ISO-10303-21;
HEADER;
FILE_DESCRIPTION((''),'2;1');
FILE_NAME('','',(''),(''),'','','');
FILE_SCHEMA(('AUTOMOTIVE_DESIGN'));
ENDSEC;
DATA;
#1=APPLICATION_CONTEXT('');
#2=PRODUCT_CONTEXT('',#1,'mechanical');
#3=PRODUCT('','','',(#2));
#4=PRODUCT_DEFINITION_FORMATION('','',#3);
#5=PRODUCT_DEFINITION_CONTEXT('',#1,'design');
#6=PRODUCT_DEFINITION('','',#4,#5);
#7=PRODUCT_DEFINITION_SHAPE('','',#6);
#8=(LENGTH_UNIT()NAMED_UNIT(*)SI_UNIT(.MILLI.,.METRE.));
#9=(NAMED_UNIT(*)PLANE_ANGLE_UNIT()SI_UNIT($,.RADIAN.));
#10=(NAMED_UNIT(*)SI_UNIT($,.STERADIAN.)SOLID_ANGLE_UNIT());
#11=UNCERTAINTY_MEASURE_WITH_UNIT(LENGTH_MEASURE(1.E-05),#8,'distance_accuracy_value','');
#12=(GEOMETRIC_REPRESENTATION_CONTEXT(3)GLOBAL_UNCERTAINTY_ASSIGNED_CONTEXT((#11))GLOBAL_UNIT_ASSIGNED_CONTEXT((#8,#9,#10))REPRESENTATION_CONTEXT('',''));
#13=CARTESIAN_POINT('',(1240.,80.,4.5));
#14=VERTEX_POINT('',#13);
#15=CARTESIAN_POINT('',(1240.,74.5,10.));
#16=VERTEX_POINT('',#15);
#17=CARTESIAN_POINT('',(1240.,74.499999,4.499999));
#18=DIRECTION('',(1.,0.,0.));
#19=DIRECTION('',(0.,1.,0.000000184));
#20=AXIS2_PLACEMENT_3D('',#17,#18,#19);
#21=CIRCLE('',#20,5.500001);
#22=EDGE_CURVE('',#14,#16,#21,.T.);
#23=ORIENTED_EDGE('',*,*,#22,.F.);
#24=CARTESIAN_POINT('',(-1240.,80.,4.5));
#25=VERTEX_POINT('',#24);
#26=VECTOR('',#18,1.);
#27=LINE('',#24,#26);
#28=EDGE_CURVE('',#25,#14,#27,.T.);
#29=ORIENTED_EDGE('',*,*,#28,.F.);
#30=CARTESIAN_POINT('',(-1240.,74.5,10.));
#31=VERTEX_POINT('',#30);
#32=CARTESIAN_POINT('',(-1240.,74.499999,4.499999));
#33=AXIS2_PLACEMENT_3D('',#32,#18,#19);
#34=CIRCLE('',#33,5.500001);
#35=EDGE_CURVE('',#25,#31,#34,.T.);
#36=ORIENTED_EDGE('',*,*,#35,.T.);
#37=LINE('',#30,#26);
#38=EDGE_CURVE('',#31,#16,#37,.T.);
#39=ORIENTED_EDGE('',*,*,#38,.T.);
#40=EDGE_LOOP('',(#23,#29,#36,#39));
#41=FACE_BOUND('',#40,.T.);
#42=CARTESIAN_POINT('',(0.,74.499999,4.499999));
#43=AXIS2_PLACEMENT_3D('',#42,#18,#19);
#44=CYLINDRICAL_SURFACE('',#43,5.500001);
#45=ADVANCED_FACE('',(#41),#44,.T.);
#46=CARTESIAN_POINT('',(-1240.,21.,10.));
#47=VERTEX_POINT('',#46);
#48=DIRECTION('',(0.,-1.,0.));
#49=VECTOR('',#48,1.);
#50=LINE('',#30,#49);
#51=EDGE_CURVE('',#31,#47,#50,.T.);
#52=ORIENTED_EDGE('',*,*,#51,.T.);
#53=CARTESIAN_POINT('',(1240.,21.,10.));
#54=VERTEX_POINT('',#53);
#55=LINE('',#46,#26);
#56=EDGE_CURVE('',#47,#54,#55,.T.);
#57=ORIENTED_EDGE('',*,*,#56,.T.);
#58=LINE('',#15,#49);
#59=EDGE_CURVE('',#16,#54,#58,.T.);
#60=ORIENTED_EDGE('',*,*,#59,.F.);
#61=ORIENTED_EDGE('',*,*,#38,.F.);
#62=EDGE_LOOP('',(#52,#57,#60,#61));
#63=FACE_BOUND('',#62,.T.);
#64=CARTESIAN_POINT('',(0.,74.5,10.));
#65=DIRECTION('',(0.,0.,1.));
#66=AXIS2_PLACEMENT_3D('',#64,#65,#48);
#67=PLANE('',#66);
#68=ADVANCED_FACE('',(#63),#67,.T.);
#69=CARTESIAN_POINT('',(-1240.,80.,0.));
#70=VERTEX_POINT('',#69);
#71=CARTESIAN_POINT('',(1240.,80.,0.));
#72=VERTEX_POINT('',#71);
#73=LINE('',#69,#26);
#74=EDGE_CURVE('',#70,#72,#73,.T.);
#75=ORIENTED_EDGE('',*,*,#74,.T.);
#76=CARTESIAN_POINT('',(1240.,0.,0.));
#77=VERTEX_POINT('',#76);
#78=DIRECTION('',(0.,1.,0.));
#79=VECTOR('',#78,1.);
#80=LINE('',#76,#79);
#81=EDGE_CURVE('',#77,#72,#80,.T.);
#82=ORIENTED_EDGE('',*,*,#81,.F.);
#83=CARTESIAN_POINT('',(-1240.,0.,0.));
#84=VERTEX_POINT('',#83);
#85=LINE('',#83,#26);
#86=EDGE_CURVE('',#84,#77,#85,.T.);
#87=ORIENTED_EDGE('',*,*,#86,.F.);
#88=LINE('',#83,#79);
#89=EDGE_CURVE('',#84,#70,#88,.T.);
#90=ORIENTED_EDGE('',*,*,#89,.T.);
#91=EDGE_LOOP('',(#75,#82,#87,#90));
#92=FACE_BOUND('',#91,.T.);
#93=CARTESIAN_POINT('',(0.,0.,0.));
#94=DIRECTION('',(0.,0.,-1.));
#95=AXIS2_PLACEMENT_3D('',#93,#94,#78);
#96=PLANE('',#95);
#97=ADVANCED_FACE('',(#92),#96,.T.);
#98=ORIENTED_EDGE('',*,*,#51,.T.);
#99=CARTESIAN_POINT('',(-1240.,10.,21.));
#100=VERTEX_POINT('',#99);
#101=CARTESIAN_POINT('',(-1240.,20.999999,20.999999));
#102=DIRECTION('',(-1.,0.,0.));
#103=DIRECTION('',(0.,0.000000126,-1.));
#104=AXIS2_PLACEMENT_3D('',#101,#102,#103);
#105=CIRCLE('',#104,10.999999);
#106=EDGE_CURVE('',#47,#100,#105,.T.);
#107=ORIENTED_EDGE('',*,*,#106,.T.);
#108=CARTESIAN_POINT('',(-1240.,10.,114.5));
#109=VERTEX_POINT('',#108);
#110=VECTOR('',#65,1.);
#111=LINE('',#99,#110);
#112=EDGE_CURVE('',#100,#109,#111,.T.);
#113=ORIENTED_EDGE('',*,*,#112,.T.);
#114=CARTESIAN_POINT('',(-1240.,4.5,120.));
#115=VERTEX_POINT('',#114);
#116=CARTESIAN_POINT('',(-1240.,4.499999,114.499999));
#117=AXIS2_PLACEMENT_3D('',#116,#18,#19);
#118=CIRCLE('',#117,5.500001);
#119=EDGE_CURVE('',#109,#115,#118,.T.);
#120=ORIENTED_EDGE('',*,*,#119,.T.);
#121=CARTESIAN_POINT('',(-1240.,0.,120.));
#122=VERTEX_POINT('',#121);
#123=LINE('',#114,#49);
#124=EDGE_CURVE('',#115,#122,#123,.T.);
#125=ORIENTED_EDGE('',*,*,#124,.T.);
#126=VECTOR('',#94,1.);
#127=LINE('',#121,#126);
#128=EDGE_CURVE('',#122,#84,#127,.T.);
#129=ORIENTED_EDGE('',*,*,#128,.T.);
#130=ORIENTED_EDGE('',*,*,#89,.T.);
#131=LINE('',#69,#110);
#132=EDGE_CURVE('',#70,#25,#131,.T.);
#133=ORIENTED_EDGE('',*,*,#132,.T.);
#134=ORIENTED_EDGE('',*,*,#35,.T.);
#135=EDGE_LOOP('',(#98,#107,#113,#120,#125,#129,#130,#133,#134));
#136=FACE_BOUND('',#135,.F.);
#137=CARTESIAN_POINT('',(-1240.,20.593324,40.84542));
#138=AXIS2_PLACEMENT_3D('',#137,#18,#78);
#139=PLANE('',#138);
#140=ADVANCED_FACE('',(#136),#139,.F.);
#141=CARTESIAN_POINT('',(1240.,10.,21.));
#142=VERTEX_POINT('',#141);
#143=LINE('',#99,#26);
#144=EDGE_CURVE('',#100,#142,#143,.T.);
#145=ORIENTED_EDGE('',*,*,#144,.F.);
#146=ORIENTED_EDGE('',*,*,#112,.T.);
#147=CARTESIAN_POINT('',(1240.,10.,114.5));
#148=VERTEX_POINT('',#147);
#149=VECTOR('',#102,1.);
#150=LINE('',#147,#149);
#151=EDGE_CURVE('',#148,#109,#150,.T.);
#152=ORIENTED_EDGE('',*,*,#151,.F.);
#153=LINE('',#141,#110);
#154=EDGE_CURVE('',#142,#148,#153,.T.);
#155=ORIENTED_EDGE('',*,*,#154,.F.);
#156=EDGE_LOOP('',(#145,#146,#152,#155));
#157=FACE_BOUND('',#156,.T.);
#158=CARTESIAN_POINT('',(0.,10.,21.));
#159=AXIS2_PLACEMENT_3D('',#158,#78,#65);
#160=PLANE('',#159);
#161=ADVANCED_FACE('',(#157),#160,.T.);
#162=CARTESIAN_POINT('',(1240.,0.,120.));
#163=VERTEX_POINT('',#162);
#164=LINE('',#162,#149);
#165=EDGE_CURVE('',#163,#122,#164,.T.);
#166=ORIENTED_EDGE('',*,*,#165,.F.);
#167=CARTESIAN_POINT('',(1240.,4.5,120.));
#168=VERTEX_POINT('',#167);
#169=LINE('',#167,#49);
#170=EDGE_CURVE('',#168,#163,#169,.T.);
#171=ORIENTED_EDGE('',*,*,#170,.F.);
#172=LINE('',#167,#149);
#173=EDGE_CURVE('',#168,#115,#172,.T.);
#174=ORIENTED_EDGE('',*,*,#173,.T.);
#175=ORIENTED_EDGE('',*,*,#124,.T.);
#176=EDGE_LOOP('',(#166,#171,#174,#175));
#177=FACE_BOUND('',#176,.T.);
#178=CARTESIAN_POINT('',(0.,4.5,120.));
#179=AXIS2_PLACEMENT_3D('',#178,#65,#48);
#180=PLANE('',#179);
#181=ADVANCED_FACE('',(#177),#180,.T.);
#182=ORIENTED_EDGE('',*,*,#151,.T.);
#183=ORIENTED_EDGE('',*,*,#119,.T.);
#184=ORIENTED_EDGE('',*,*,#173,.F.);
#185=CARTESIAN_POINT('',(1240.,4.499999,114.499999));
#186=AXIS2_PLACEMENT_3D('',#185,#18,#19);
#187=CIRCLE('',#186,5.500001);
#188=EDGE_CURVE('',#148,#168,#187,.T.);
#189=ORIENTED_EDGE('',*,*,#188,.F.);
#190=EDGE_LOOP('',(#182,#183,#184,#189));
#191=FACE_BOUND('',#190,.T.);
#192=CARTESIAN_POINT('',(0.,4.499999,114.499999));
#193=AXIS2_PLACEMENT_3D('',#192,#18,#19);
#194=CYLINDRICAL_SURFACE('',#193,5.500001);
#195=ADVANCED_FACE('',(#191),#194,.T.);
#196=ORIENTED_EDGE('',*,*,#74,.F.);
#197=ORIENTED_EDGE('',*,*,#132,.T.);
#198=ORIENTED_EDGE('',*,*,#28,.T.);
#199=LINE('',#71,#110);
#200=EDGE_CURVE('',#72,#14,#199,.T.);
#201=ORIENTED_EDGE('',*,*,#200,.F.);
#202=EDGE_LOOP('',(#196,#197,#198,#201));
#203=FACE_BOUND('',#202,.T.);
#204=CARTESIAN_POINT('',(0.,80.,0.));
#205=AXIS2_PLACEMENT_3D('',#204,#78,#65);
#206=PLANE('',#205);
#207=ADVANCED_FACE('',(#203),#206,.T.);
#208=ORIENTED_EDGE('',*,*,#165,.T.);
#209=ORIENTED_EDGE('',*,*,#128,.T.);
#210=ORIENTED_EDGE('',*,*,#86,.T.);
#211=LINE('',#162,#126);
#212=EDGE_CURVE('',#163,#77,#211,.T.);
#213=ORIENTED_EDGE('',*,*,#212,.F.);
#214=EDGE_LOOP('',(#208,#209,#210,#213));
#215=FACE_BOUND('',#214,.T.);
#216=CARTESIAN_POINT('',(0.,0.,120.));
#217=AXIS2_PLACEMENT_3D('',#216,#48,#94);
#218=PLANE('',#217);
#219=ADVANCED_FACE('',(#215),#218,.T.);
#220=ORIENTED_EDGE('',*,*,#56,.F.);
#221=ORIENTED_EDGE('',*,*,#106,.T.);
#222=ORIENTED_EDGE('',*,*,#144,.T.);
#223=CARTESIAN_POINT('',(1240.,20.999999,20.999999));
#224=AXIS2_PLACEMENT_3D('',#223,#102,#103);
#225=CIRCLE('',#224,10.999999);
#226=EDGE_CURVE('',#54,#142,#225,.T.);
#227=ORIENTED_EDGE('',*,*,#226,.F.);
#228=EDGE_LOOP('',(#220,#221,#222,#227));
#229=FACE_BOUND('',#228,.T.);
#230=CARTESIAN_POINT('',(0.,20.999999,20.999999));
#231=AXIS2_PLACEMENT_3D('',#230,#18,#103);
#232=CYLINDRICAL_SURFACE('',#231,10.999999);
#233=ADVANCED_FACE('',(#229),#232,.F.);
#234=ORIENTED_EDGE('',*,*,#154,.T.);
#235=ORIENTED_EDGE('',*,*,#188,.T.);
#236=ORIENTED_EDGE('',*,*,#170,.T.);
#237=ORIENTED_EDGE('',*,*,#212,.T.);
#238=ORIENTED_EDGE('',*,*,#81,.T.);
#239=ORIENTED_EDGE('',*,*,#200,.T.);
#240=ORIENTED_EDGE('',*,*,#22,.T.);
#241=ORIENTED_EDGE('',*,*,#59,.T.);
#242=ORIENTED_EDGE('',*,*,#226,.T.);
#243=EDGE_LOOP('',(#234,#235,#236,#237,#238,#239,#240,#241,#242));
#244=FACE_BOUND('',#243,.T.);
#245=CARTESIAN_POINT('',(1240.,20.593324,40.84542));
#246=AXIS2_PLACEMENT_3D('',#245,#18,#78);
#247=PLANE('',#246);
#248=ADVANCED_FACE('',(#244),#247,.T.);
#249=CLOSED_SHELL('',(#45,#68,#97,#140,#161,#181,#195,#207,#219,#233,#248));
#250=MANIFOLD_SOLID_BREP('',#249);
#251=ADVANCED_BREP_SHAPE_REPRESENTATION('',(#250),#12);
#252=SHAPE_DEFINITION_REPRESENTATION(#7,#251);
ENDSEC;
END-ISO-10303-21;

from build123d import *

# Parameters (mm, degrees)
F1_DEPTH = 1240


with BuildPart() as f1:
    # F0 (on Right) → F1 (new body, symmetric)
    with BuildSketch(Plane.YZ):
        with BuildLine():
            Line((0, 120), (0, 0))
            Line((0, 0), (80, 0))
            Line((80, 0), (80, 4.5))
            ThreePointArc((80, 4.5), (78.389087, 8.389087), (74.5, 10))
            Line((74.5, 10), (21, 10))
            ThreePointArc((21, 10), (13.221825, 13.221825), (10, 21))
            Line((10, 21), (10, 114.5))
            ThreePointArc((10, 114.5), (8.389087, 118.389087), (4.5, 120))
            Line((4.5, 120), (0, 120))
        make_face()
    extrude(amount=F1_DEPTH, both=True)


solid = f1.part
